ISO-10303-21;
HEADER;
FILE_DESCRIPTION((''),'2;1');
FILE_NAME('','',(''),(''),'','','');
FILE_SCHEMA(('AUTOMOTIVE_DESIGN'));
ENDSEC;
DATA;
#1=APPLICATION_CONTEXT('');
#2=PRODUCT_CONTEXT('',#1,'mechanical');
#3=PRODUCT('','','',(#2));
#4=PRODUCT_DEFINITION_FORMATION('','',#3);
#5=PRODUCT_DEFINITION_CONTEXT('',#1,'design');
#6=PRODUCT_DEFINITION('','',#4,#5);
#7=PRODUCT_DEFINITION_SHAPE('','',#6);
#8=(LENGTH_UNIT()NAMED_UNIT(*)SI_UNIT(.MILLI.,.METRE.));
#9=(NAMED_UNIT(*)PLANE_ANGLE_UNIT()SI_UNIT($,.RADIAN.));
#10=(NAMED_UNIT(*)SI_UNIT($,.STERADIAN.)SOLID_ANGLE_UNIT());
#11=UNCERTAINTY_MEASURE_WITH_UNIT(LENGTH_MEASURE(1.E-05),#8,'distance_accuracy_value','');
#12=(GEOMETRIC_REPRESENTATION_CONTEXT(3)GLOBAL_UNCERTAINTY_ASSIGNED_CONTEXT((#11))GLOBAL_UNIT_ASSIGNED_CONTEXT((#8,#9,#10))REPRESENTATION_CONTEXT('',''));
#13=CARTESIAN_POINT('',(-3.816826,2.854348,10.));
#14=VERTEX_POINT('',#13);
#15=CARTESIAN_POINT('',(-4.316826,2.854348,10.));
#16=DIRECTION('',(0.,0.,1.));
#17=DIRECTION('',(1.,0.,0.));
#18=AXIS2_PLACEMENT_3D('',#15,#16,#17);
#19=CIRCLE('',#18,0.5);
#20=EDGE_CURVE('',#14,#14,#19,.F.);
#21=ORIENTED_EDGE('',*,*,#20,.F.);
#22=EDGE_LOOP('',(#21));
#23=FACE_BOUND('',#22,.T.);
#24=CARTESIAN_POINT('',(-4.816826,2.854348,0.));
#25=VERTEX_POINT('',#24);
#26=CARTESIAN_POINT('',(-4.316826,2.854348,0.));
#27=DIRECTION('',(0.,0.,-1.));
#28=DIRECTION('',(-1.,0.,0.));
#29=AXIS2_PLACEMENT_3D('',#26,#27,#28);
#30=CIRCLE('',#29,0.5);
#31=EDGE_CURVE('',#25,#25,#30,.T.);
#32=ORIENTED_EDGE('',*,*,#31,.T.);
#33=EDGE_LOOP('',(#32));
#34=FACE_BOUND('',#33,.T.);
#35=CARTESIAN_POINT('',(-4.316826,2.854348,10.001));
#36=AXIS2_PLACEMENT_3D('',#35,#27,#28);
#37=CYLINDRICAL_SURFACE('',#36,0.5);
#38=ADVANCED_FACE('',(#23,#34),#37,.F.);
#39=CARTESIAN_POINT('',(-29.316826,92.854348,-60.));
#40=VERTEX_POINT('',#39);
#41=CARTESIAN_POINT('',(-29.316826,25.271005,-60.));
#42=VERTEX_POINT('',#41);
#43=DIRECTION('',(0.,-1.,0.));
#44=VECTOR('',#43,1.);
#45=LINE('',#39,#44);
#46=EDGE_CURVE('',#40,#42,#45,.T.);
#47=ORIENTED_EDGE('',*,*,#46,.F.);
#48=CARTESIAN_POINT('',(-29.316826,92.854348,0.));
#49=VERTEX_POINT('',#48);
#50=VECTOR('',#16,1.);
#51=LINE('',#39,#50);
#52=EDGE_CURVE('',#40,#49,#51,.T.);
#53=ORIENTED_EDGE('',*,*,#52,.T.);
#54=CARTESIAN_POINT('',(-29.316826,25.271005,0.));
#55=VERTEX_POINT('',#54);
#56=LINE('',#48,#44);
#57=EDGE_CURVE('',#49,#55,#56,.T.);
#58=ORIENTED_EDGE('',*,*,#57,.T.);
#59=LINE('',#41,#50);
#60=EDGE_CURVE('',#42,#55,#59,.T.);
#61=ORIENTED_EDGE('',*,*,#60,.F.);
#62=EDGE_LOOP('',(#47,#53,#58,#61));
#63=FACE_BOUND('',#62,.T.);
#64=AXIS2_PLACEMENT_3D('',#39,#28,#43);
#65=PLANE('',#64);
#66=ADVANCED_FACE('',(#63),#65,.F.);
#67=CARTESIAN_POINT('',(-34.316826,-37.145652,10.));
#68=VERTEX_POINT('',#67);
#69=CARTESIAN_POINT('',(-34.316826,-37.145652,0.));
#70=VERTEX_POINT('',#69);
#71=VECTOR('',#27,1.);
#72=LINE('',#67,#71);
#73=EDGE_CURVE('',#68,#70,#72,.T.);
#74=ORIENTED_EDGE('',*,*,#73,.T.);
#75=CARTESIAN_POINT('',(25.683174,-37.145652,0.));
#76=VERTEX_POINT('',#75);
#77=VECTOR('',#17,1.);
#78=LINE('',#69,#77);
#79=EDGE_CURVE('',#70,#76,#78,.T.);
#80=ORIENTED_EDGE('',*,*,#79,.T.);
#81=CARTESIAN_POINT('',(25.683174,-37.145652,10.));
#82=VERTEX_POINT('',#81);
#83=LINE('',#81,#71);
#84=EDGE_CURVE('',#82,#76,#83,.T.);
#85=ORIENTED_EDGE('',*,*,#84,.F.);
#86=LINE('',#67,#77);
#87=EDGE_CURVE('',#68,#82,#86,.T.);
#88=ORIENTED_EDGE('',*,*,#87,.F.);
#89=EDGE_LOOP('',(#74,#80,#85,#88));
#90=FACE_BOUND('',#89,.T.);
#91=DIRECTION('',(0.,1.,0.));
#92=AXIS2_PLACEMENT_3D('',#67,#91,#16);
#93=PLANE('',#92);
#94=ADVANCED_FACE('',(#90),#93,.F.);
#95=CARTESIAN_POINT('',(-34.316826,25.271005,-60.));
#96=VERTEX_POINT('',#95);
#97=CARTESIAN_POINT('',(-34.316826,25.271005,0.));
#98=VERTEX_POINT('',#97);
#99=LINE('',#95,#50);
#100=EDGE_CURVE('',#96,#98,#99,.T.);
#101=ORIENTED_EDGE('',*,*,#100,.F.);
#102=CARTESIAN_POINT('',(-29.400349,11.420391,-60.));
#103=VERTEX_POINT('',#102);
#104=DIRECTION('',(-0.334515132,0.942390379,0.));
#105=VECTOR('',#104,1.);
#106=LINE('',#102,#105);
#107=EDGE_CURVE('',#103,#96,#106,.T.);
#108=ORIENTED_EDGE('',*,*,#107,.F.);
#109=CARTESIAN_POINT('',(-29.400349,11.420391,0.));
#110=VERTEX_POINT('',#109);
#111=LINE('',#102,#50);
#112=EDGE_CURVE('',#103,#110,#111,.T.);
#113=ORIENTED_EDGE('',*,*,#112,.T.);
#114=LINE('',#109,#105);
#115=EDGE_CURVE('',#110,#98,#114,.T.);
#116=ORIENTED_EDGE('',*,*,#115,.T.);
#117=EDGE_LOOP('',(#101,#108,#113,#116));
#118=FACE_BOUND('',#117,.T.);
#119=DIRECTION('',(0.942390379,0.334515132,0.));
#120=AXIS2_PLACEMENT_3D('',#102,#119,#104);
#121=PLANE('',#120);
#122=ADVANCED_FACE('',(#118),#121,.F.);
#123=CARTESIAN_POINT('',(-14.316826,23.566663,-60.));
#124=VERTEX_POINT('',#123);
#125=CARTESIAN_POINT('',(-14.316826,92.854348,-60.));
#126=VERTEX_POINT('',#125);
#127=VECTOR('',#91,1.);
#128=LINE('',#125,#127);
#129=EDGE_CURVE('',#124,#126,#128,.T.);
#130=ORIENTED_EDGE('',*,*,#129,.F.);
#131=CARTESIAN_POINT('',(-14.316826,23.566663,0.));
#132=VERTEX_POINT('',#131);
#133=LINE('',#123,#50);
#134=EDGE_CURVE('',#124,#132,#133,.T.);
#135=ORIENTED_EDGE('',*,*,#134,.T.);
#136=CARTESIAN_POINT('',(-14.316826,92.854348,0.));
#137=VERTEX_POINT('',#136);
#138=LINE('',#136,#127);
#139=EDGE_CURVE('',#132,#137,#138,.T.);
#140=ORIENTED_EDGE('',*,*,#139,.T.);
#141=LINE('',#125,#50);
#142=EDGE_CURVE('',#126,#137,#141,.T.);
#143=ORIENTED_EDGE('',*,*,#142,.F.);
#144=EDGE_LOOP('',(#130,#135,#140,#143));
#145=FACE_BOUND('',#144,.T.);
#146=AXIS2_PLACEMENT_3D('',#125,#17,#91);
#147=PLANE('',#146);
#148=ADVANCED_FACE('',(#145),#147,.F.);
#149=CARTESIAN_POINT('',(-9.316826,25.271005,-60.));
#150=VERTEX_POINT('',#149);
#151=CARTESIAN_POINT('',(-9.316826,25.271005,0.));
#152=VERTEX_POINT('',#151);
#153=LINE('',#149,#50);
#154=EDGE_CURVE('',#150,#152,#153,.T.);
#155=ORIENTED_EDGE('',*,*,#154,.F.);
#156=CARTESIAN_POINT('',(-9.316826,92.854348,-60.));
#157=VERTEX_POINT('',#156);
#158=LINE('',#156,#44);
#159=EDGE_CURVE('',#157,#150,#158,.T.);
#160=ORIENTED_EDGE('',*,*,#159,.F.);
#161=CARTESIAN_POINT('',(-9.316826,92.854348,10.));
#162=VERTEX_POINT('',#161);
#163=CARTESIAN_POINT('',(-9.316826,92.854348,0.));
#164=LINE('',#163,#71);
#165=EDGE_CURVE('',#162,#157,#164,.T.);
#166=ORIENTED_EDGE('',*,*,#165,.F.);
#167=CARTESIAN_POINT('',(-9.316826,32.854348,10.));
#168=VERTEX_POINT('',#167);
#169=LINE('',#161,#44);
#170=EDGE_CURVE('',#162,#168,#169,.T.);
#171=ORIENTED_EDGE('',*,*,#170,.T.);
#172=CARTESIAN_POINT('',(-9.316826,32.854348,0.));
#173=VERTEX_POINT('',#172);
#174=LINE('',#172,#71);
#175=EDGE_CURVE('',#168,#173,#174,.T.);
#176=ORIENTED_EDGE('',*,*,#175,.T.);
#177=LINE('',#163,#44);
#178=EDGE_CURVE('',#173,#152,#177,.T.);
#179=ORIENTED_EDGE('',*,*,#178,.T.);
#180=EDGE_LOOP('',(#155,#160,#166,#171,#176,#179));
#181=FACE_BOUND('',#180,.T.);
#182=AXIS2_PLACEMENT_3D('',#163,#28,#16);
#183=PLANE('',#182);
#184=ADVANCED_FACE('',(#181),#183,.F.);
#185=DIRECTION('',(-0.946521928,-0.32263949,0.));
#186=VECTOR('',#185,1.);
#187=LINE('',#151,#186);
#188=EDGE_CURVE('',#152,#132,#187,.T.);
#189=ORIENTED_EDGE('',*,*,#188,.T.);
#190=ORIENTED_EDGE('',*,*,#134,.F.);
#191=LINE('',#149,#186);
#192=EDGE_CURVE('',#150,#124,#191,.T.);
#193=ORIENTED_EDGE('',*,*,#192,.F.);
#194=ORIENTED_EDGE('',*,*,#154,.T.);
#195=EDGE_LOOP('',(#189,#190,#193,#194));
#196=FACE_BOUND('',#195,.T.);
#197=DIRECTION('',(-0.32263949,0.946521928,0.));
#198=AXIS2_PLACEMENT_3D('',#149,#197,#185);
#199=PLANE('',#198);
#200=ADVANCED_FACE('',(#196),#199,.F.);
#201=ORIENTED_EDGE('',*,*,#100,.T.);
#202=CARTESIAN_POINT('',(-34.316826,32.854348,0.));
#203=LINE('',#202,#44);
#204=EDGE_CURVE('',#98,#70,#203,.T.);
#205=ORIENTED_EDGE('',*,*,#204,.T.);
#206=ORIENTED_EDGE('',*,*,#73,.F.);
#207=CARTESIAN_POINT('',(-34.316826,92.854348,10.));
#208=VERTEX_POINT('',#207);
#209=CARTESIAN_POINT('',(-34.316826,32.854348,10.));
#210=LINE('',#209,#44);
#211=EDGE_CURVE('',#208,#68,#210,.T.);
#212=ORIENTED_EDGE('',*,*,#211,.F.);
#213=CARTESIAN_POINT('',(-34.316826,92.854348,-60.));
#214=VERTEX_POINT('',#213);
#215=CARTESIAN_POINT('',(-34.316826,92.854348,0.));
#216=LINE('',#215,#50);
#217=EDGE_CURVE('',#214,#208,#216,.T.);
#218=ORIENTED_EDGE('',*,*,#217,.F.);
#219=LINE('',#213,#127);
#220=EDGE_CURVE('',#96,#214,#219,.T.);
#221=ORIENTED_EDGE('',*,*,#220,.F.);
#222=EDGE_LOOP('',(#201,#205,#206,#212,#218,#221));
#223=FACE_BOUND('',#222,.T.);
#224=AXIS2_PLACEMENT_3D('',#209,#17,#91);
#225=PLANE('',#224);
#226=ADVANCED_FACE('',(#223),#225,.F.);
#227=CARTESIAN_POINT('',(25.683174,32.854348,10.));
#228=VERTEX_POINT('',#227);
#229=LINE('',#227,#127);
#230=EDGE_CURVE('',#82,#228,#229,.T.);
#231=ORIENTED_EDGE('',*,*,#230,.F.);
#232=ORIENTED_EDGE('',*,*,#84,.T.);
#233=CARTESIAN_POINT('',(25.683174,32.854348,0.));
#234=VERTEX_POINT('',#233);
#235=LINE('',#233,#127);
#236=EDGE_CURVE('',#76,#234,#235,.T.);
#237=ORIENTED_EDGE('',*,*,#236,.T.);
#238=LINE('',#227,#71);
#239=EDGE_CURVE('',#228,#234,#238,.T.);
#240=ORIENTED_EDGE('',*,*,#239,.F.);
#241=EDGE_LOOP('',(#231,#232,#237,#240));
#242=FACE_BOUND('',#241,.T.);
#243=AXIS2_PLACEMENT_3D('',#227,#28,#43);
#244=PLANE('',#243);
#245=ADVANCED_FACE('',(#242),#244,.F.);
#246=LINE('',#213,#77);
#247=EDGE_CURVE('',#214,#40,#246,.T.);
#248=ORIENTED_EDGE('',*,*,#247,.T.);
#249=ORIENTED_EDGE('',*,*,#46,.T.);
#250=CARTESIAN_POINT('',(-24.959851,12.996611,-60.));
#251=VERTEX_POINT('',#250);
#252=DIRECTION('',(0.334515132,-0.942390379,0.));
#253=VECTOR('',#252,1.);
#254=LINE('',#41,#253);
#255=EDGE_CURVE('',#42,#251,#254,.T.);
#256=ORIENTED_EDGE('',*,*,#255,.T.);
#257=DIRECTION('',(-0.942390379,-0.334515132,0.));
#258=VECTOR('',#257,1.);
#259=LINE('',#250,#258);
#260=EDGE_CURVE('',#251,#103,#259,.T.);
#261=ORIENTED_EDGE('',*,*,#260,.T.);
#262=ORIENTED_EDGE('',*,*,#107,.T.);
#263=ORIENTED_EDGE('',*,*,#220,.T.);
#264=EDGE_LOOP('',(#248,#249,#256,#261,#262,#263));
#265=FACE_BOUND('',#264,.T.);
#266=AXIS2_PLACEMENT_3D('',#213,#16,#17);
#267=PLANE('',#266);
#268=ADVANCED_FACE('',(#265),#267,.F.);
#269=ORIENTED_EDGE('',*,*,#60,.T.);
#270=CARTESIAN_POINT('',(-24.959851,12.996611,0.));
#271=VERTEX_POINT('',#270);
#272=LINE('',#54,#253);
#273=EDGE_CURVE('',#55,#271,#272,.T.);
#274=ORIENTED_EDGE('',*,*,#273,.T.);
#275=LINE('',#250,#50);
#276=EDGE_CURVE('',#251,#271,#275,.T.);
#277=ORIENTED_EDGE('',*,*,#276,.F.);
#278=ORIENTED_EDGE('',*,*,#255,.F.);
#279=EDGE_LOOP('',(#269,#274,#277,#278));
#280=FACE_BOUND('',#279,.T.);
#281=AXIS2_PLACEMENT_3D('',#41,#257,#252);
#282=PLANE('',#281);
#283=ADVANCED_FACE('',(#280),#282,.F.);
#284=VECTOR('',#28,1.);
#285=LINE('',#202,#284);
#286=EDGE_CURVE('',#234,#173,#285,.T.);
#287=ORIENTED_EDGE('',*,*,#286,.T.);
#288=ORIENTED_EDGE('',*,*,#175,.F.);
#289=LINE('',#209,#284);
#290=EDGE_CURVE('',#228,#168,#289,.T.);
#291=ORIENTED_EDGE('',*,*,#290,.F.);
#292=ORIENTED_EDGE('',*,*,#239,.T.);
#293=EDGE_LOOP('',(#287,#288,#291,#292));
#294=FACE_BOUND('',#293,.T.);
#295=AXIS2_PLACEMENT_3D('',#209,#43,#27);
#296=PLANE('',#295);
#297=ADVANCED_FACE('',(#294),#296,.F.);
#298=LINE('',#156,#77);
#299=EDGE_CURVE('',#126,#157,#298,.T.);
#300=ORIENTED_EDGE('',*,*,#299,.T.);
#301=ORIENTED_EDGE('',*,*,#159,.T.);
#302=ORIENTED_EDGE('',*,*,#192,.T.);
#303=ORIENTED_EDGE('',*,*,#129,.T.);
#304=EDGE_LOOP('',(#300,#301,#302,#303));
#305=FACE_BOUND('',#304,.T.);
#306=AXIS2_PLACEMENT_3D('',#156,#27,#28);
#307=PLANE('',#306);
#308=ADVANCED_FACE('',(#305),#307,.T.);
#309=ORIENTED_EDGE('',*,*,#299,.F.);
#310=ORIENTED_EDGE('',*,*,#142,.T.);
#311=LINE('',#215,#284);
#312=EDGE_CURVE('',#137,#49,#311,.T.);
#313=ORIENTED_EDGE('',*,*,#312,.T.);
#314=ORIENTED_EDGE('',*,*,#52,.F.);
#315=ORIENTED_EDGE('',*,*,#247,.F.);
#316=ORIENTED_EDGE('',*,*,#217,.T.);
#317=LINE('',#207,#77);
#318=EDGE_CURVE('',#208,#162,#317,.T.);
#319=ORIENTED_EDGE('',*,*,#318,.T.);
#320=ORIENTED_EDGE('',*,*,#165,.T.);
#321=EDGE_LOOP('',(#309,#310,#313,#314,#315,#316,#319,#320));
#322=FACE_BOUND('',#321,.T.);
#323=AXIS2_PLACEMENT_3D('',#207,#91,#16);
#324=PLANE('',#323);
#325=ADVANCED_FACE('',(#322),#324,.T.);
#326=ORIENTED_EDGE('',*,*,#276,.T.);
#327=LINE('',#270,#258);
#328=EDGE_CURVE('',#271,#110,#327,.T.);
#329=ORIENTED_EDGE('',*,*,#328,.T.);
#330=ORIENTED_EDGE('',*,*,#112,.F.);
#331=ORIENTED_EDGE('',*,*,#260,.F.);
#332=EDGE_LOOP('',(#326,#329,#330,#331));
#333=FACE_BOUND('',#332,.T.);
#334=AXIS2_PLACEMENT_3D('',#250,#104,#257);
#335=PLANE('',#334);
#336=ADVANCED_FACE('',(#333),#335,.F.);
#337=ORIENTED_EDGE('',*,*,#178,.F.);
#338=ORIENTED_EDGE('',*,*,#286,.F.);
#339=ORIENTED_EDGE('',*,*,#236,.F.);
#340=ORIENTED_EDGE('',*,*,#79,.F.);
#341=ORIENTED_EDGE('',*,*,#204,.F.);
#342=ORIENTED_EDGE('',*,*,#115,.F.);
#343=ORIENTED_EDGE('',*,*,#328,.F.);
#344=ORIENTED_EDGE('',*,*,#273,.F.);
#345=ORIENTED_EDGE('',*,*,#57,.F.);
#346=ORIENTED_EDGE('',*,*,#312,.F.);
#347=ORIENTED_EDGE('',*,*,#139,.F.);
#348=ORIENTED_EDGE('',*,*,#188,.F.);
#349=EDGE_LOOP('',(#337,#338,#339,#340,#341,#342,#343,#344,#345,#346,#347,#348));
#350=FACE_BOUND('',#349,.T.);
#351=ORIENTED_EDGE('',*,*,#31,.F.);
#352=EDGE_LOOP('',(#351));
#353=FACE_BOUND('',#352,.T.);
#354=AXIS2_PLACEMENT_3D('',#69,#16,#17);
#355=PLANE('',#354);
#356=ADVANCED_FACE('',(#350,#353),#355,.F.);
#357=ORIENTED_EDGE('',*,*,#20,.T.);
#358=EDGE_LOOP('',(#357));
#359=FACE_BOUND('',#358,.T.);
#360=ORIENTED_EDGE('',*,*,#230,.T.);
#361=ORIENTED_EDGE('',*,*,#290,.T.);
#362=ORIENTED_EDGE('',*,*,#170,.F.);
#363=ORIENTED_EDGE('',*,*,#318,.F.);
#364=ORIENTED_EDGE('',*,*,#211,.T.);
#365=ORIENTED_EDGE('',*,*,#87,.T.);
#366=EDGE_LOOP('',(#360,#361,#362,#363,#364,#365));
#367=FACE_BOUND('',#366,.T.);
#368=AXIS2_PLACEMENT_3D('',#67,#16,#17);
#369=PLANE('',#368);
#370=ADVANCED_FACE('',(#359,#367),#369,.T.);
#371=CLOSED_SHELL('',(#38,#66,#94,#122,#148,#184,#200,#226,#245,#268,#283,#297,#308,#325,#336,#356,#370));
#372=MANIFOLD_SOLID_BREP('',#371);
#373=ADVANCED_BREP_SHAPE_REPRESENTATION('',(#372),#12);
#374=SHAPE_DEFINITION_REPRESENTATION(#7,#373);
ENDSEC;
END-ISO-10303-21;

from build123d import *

# Parameters (mm, degrees)
ESQUISSE1_W      = 60
ESQUISSE1_H      = 70
EXTRUSION1_DEPTH = 10
EXTRUSION2_REACH = 53.55
ESQUISSE2_R      = 0.5
ESQUISSE4_W      = 25
ESQUISSE4_H      = 10
EXTRUSION3_DEPTH = 60
EXTRUSION4_DEPTH = 60


with BuildPart() as part:
    # Esquisse1 → Extrusion1 (new body)
    with BuildSketch(Plane.XY):
        with Locations((-4.316825769, -2.145652174)):
            Rectangle(ESQUISSE1_W, ESQUISSE1_H)
    extrude(amount=EXTRUSION1_DEPTH)

    # Esquisse2 → Extrusion2 (cut, up to next)
    with BuildSketch(Plane(origin=(0, 0, 0), x_dir=(-1, 0, 0), z_dir=(0, 0, -1)), mode=Mode.PRIVATE) as extrusion2_sk1:
        with Locations((4.316825769, 2.854347826)):
            Circle(ESQUISSE2_R)
    extrusion2_tool1 = extrude(extrusion2_sk1.sketch, amount=-EXTRUSION2_REACH, mode=Mode.PRIVATE) & part.part
    add(extrusion2_tool1.solids().sort_by_distance((-4.316826, 2.854348, 0))[0], mode=Mode.SUBTRACT)

    # Esquisse4 → Extrusion3 (add)
    with BuildSketch(Plane(origin=(0, 32.854347826, 0), x_dir=(1, 0, 0), z_dir=(0, 1, 0))):
        with Locations((-21.816825769, -5)):
            Rectangle(ESQUISSE4_W, ESQUISSE4_H)
    extrude(amount=EXTRUSION3_DEPTH)

    # Esquisse5 → Extrusion4 (add)
    with BuildSketch(Plane(origin=(0, 0, 0), x_dir=(-1, 0, 0), z_dir=(0, 0, -1))):
        Polygon((29.316825769, 25.271005401), (24.959851341, 12.996610653), (29.400349472, 11.420391442), (34.316825769, 25.271005401), (34.316825769, 92.854347826), (29.316825769, 92.854347826), align=None)
        Polygon((9.316825769, 92.854347826), (14.316825769, 92.854347826), (14.316825769, 23.566663003), (9.316825769, 25.271005401), align=None)
    extrude(amount=EXTRUSION4_DEPTH)


solid = part.part
